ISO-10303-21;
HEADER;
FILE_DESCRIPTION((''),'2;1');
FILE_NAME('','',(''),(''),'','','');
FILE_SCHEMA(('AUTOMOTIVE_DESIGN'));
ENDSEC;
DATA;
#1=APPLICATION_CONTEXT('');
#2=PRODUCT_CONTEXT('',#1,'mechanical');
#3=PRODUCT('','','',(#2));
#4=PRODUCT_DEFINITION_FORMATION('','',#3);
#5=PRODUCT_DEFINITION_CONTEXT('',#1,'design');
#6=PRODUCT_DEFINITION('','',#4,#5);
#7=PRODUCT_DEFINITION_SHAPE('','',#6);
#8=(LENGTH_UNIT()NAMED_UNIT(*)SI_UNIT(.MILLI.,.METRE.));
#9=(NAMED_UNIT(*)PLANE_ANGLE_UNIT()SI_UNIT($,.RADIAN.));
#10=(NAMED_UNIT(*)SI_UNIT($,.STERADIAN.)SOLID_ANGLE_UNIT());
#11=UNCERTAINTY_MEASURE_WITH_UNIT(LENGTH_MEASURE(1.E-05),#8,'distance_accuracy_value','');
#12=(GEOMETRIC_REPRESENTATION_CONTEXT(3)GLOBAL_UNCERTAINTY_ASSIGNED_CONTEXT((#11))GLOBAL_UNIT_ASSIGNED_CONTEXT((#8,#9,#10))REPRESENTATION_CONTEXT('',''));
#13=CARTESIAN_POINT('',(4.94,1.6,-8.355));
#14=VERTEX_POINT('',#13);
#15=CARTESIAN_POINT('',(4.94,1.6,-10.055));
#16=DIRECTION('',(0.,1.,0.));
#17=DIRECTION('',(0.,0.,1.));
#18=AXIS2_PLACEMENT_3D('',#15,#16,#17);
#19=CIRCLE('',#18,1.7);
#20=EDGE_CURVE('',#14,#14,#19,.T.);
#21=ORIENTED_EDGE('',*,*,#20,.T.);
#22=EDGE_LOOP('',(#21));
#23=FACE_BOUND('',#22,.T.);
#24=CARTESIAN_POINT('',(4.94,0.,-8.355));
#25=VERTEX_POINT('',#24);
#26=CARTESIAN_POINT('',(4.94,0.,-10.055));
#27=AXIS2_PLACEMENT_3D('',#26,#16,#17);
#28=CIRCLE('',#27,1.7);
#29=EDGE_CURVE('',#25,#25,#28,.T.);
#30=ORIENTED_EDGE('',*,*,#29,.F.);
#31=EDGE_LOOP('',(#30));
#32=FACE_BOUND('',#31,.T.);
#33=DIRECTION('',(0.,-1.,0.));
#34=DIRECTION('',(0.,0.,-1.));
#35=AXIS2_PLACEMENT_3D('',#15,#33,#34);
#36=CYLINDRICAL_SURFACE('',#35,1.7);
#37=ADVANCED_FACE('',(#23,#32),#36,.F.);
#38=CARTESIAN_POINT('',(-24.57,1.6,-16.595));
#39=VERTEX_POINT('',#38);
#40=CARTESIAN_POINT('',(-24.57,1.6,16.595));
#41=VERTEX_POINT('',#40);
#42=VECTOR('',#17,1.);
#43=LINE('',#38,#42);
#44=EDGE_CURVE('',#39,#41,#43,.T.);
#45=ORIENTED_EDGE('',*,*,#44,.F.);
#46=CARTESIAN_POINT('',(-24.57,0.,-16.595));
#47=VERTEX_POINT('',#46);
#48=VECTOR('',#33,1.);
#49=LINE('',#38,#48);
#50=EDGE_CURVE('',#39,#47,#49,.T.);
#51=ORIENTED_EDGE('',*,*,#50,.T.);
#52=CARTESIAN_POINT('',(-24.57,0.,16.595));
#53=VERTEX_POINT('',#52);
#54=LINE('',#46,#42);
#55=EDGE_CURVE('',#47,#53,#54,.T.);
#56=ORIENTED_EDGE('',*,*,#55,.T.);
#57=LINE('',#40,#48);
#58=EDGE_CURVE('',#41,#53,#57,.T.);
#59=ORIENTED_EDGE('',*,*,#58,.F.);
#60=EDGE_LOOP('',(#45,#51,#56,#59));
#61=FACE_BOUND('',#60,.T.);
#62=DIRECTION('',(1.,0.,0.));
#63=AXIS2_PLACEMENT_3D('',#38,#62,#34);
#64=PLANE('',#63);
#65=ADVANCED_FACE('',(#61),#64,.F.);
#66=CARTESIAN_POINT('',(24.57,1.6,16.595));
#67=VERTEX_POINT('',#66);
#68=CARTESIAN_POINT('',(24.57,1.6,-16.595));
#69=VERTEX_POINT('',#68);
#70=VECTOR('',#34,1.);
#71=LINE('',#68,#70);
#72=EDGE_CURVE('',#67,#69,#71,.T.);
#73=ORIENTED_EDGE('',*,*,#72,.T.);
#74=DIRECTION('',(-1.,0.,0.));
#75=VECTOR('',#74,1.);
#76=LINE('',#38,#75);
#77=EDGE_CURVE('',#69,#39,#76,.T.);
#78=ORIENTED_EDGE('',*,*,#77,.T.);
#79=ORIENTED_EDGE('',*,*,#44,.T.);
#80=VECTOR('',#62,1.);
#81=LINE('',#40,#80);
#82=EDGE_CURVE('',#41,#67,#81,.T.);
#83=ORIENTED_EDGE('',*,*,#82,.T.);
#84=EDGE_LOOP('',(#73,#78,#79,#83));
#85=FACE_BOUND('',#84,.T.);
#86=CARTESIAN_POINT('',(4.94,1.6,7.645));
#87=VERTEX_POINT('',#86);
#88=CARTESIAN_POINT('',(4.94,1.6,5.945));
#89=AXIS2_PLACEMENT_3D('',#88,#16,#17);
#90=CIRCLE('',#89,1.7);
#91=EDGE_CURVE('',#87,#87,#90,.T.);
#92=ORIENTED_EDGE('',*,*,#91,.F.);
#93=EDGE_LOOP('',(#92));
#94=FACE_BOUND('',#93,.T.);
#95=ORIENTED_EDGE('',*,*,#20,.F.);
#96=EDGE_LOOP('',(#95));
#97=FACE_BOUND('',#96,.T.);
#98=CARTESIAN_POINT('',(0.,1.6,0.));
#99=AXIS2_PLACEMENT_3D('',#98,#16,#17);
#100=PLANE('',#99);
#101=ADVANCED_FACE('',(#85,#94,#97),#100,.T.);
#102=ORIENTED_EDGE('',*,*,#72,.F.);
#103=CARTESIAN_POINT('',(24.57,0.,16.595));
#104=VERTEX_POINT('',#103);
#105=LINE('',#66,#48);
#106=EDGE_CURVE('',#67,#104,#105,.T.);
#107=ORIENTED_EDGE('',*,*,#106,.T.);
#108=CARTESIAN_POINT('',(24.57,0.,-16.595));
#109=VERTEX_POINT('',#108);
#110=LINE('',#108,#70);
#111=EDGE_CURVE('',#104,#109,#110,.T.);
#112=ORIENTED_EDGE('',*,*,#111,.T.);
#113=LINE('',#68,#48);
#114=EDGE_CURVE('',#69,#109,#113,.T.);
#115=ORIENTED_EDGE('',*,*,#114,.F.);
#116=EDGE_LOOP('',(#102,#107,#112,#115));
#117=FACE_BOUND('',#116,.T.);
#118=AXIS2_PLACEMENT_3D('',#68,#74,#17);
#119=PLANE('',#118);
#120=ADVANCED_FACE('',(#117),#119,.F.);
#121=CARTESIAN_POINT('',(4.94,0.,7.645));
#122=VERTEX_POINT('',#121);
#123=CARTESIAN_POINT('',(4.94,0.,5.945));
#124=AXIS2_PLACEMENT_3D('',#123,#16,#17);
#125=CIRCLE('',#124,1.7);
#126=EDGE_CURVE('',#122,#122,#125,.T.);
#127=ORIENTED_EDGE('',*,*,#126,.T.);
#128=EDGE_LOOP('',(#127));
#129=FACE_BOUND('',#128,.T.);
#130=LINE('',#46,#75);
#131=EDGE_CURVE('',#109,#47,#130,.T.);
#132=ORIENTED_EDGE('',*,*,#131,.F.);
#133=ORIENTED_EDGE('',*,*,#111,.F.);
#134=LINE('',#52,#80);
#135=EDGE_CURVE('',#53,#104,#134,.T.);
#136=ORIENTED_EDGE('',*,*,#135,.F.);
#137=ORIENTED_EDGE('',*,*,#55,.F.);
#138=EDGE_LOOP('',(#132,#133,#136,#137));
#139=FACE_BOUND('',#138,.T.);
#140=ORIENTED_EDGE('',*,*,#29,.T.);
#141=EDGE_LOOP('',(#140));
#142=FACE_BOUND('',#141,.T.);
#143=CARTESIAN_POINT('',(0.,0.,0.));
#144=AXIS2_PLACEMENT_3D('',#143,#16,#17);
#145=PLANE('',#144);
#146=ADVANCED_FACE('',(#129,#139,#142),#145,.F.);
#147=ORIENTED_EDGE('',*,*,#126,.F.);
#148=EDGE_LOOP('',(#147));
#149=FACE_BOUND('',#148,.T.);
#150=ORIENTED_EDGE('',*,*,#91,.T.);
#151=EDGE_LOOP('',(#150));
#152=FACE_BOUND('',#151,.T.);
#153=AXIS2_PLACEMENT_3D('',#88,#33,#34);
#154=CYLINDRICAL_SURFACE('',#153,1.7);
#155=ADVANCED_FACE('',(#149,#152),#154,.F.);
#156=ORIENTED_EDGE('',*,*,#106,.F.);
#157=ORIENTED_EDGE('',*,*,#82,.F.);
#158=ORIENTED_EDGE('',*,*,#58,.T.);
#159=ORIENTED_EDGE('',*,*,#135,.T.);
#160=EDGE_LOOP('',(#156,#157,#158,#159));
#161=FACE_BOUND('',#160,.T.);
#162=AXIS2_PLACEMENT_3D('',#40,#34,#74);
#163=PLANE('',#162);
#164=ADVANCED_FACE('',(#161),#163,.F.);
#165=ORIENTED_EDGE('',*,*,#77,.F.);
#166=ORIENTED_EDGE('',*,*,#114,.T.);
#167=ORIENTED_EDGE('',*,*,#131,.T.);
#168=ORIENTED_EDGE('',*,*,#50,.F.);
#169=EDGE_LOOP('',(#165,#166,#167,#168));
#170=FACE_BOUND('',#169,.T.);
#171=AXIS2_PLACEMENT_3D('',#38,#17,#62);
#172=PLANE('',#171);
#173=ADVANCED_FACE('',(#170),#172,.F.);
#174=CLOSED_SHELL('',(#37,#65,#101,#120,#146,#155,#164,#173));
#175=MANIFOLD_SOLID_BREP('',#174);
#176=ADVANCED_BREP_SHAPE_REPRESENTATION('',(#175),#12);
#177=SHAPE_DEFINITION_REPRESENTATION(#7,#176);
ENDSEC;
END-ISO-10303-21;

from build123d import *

# Parameters (mm, degrees)
SKETCH1_W           = 49.14
SKETCH1_H           = 33.19
SKETCH1_R           = 1.7
BOSS_EXTRUDE1_DEPTH = 1.6


with BuildPart() as part:
    # Sketch1 → Boss-Extrude1 (new body)
    with BuildSketch(Plane(origin=(0, 0, 0), x_dir=(1, 0, 0), z_dir=(0, 1, 0))):
        Rectangle(SKETCH1_W, SKETCH1_H)
        with Locations((4.94, 10.055)):
            Circle(SKETCH1_R, mode=Mode.SUBTRACT)
        with Locations((4.94, -5.945)):
            Circle(SKETCH1_R, mode=Mode.SUBTRACT)
    extrude(amount=BOSS_EXTRUDE1_DEPTH)


solid = part.part
